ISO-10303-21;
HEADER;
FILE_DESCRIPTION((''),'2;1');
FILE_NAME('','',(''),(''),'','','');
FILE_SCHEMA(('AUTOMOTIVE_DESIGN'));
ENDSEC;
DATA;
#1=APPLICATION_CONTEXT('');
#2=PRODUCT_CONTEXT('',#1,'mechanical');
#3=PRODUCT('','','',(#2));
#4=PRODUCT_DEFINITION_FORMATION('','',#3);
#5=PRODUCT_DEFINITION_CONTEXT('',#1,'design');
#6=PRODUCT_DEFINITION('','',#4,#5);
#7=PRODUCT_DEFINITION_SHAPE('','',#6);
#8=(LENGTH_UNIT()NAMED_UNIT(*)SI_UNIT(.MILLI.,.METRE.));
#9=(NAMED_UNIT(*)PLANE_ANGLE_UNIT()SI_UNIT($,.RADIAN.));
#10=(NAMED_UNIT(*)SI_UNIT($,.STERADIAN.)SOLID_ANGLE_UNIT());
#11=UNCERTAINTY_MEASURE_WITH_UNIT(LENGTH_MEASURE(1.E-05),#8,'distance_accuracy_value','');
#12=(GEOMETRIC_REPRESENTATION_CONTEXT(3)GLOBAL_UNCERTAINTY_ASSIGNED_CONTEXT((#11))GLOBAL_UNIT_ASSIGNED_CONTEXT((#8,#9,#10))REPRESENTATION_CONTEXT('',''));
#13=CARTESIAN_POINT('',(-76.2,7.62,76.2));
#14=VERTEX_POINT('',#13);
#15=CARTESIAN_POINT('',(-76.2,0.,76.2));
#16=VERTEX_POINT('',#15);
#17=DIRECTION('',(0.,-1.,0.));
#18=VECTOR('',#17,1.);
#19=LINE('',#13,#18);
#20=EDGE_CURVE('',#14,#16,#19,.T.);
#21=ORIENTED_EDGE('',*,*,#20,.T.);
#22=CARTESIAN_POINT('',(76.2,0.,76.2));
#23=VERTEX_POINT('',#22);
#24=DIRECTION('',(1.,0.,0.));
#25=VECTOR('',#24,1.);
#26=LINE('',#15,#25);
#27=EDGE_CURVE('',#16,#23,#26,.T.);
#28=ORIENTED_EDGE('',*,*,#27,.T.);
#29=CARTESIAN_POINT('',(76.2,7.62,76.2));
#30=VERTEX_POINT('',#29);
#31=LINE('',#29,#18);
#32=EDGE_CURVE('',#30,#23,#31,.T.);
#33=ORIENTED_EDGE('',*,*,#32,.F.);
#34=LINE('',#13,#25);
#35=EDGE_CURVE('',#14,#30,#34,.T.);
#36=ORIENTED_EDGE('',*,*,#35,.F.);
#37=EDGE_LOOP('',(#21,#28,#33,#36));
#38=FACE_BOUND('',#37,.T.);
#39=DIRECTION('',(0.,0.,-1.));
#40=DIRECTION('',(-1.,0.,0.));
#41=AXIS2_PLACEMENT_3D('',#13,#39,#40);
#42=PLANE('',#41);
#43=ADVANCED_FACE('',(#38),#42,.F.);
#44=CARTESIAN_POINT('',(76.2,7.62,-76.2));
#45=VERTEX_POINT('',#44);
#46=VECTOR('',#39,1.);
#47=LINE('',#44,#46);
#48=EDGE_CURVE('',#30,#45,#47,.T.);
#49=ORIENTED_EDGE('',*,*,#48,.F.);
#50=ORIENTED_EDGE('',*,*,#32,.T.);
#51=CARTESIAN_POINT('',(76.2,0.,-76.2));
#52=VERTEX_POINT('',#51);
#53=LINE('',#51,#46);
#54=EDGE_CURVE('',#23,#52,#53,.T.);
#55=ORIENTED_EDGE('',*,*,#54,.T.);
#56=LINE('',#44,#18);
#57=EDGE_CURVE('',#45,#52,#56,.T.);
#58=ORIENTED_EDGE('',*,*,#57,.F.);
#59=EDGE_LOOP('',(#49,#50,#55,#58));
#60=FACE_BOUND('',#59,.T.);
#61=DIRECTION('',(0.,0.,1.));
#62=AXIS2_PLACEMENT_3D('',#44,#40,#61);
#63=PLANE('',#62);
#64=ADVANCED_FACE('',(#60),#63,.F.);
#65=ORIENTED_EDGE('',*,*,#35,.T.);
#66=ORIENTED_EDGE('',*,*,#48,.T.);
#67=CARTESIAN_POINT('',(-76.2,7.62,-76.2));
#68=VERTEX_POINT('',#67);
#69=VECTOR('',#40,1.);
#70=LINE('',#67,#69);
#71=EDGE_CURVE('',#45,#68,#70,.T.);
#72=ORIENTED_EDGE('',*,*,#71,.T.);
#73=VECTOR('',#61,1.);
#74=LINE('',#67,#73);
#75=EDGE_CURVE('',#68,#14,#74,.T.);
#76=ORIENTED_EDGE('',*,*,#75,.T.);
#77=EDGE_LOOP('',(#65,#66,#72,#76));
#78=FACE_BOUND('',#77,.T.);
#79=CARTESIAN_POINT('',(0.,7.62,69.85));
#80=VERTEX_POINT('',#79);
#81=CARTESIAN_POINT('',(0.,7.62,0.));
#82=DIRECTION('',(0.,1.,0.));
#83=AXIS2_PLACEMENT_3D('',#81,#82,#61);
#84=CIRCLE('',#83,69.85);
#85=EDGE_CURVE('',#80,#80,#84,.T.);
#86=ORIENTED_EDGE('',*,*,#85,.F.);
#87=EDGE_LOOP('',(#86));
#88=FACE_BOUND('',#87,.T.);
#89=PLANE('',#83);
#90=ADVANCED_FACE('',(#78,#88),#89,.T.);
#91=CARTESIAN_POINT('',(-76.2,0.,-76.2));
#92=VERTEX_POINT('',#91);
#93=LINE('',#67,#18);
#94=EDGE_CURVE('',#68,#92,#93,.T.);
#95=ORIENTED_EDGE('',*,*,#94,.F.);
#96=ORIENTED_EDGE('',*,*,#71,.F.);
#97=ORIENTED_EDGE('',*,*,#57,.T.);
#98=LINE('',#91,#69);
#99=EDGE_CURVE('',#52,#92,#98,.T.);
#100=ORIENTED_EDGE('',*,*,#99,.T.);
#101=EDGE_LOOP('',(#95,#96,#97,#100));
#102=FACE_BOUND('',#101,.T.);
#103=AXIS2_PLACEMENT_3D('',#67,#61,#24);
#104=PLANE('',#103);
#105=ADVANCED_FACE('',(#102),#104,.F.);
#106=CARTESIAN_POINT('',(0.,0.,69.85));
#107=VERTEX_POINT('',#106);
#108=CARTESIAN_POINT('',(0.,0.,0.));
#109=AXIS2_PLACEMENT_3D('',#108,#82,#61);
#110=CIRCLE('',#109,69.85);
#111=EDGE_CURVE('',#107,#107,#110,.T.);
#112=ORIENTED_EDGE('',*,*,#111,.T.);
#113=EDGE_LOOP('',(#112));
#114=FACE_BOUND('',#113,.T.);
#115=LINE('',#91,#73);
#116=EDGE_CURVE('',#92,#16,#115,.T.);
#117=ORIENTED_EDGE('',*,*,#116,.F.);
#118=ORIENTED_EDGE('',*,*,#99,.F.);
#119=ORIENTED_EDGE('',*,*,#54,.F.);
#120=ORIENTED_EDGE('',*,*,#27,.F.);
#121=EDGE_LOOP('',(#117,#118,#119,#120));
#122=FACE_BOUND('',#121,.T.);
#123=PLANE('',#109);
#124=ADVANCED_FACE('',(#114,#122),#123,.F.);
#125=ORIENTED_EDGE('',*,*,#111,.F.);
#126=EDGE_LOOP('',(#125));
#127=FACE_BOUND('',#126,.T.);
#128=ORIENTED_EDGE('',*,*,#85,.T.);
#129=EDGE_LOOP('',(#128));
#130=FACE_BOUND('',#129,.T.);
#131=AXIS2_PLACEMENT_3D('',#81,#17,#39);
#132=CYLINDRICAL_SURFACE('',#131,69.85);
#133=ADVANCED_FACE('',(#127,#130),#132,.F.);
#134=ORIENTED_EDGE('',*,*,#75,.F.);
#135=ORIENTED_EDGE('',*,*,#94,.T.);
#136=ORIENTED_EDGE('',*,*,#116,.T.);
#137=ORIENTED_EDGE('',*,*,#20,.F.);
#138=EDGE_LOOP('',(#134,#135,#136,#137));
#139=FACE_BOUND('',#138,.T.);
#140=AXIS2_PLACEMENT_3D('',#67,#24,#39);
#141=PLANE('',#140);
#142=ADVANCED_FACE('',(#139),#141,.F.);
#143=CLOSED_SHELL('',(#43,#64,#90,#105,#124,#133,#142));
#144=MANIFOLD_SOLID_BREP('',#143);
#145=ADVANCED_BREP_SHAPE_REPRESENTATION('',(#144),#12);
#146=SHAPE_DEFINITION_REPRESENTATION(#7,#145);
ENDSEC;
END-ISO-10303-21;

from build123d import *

# Parameters (mm, degrees)
SKETCH2_W           = 152.4
SKETCH2_H           = 152.4
SKETCH2_R           = 69.85
BOSS_EXTRUDE1_DEPTH = 7.62


with BuildPart() as part:
    # Sketch2 → Boss-Extrude1 (new body)
    with BuildSketch(Plane(origin=(0, 0, 0), x_dir=(1, 0, 0), z_dir=(0, 1, 0))):
        Rectangle(SKETCH2_W, SKETCH2_H)
        Circle(SKETCH2_R, mode=Mode.SUBTRACT)
    extrude(amount=BOSS_EXTRUDE1_DEPTH)


solid = part.part
